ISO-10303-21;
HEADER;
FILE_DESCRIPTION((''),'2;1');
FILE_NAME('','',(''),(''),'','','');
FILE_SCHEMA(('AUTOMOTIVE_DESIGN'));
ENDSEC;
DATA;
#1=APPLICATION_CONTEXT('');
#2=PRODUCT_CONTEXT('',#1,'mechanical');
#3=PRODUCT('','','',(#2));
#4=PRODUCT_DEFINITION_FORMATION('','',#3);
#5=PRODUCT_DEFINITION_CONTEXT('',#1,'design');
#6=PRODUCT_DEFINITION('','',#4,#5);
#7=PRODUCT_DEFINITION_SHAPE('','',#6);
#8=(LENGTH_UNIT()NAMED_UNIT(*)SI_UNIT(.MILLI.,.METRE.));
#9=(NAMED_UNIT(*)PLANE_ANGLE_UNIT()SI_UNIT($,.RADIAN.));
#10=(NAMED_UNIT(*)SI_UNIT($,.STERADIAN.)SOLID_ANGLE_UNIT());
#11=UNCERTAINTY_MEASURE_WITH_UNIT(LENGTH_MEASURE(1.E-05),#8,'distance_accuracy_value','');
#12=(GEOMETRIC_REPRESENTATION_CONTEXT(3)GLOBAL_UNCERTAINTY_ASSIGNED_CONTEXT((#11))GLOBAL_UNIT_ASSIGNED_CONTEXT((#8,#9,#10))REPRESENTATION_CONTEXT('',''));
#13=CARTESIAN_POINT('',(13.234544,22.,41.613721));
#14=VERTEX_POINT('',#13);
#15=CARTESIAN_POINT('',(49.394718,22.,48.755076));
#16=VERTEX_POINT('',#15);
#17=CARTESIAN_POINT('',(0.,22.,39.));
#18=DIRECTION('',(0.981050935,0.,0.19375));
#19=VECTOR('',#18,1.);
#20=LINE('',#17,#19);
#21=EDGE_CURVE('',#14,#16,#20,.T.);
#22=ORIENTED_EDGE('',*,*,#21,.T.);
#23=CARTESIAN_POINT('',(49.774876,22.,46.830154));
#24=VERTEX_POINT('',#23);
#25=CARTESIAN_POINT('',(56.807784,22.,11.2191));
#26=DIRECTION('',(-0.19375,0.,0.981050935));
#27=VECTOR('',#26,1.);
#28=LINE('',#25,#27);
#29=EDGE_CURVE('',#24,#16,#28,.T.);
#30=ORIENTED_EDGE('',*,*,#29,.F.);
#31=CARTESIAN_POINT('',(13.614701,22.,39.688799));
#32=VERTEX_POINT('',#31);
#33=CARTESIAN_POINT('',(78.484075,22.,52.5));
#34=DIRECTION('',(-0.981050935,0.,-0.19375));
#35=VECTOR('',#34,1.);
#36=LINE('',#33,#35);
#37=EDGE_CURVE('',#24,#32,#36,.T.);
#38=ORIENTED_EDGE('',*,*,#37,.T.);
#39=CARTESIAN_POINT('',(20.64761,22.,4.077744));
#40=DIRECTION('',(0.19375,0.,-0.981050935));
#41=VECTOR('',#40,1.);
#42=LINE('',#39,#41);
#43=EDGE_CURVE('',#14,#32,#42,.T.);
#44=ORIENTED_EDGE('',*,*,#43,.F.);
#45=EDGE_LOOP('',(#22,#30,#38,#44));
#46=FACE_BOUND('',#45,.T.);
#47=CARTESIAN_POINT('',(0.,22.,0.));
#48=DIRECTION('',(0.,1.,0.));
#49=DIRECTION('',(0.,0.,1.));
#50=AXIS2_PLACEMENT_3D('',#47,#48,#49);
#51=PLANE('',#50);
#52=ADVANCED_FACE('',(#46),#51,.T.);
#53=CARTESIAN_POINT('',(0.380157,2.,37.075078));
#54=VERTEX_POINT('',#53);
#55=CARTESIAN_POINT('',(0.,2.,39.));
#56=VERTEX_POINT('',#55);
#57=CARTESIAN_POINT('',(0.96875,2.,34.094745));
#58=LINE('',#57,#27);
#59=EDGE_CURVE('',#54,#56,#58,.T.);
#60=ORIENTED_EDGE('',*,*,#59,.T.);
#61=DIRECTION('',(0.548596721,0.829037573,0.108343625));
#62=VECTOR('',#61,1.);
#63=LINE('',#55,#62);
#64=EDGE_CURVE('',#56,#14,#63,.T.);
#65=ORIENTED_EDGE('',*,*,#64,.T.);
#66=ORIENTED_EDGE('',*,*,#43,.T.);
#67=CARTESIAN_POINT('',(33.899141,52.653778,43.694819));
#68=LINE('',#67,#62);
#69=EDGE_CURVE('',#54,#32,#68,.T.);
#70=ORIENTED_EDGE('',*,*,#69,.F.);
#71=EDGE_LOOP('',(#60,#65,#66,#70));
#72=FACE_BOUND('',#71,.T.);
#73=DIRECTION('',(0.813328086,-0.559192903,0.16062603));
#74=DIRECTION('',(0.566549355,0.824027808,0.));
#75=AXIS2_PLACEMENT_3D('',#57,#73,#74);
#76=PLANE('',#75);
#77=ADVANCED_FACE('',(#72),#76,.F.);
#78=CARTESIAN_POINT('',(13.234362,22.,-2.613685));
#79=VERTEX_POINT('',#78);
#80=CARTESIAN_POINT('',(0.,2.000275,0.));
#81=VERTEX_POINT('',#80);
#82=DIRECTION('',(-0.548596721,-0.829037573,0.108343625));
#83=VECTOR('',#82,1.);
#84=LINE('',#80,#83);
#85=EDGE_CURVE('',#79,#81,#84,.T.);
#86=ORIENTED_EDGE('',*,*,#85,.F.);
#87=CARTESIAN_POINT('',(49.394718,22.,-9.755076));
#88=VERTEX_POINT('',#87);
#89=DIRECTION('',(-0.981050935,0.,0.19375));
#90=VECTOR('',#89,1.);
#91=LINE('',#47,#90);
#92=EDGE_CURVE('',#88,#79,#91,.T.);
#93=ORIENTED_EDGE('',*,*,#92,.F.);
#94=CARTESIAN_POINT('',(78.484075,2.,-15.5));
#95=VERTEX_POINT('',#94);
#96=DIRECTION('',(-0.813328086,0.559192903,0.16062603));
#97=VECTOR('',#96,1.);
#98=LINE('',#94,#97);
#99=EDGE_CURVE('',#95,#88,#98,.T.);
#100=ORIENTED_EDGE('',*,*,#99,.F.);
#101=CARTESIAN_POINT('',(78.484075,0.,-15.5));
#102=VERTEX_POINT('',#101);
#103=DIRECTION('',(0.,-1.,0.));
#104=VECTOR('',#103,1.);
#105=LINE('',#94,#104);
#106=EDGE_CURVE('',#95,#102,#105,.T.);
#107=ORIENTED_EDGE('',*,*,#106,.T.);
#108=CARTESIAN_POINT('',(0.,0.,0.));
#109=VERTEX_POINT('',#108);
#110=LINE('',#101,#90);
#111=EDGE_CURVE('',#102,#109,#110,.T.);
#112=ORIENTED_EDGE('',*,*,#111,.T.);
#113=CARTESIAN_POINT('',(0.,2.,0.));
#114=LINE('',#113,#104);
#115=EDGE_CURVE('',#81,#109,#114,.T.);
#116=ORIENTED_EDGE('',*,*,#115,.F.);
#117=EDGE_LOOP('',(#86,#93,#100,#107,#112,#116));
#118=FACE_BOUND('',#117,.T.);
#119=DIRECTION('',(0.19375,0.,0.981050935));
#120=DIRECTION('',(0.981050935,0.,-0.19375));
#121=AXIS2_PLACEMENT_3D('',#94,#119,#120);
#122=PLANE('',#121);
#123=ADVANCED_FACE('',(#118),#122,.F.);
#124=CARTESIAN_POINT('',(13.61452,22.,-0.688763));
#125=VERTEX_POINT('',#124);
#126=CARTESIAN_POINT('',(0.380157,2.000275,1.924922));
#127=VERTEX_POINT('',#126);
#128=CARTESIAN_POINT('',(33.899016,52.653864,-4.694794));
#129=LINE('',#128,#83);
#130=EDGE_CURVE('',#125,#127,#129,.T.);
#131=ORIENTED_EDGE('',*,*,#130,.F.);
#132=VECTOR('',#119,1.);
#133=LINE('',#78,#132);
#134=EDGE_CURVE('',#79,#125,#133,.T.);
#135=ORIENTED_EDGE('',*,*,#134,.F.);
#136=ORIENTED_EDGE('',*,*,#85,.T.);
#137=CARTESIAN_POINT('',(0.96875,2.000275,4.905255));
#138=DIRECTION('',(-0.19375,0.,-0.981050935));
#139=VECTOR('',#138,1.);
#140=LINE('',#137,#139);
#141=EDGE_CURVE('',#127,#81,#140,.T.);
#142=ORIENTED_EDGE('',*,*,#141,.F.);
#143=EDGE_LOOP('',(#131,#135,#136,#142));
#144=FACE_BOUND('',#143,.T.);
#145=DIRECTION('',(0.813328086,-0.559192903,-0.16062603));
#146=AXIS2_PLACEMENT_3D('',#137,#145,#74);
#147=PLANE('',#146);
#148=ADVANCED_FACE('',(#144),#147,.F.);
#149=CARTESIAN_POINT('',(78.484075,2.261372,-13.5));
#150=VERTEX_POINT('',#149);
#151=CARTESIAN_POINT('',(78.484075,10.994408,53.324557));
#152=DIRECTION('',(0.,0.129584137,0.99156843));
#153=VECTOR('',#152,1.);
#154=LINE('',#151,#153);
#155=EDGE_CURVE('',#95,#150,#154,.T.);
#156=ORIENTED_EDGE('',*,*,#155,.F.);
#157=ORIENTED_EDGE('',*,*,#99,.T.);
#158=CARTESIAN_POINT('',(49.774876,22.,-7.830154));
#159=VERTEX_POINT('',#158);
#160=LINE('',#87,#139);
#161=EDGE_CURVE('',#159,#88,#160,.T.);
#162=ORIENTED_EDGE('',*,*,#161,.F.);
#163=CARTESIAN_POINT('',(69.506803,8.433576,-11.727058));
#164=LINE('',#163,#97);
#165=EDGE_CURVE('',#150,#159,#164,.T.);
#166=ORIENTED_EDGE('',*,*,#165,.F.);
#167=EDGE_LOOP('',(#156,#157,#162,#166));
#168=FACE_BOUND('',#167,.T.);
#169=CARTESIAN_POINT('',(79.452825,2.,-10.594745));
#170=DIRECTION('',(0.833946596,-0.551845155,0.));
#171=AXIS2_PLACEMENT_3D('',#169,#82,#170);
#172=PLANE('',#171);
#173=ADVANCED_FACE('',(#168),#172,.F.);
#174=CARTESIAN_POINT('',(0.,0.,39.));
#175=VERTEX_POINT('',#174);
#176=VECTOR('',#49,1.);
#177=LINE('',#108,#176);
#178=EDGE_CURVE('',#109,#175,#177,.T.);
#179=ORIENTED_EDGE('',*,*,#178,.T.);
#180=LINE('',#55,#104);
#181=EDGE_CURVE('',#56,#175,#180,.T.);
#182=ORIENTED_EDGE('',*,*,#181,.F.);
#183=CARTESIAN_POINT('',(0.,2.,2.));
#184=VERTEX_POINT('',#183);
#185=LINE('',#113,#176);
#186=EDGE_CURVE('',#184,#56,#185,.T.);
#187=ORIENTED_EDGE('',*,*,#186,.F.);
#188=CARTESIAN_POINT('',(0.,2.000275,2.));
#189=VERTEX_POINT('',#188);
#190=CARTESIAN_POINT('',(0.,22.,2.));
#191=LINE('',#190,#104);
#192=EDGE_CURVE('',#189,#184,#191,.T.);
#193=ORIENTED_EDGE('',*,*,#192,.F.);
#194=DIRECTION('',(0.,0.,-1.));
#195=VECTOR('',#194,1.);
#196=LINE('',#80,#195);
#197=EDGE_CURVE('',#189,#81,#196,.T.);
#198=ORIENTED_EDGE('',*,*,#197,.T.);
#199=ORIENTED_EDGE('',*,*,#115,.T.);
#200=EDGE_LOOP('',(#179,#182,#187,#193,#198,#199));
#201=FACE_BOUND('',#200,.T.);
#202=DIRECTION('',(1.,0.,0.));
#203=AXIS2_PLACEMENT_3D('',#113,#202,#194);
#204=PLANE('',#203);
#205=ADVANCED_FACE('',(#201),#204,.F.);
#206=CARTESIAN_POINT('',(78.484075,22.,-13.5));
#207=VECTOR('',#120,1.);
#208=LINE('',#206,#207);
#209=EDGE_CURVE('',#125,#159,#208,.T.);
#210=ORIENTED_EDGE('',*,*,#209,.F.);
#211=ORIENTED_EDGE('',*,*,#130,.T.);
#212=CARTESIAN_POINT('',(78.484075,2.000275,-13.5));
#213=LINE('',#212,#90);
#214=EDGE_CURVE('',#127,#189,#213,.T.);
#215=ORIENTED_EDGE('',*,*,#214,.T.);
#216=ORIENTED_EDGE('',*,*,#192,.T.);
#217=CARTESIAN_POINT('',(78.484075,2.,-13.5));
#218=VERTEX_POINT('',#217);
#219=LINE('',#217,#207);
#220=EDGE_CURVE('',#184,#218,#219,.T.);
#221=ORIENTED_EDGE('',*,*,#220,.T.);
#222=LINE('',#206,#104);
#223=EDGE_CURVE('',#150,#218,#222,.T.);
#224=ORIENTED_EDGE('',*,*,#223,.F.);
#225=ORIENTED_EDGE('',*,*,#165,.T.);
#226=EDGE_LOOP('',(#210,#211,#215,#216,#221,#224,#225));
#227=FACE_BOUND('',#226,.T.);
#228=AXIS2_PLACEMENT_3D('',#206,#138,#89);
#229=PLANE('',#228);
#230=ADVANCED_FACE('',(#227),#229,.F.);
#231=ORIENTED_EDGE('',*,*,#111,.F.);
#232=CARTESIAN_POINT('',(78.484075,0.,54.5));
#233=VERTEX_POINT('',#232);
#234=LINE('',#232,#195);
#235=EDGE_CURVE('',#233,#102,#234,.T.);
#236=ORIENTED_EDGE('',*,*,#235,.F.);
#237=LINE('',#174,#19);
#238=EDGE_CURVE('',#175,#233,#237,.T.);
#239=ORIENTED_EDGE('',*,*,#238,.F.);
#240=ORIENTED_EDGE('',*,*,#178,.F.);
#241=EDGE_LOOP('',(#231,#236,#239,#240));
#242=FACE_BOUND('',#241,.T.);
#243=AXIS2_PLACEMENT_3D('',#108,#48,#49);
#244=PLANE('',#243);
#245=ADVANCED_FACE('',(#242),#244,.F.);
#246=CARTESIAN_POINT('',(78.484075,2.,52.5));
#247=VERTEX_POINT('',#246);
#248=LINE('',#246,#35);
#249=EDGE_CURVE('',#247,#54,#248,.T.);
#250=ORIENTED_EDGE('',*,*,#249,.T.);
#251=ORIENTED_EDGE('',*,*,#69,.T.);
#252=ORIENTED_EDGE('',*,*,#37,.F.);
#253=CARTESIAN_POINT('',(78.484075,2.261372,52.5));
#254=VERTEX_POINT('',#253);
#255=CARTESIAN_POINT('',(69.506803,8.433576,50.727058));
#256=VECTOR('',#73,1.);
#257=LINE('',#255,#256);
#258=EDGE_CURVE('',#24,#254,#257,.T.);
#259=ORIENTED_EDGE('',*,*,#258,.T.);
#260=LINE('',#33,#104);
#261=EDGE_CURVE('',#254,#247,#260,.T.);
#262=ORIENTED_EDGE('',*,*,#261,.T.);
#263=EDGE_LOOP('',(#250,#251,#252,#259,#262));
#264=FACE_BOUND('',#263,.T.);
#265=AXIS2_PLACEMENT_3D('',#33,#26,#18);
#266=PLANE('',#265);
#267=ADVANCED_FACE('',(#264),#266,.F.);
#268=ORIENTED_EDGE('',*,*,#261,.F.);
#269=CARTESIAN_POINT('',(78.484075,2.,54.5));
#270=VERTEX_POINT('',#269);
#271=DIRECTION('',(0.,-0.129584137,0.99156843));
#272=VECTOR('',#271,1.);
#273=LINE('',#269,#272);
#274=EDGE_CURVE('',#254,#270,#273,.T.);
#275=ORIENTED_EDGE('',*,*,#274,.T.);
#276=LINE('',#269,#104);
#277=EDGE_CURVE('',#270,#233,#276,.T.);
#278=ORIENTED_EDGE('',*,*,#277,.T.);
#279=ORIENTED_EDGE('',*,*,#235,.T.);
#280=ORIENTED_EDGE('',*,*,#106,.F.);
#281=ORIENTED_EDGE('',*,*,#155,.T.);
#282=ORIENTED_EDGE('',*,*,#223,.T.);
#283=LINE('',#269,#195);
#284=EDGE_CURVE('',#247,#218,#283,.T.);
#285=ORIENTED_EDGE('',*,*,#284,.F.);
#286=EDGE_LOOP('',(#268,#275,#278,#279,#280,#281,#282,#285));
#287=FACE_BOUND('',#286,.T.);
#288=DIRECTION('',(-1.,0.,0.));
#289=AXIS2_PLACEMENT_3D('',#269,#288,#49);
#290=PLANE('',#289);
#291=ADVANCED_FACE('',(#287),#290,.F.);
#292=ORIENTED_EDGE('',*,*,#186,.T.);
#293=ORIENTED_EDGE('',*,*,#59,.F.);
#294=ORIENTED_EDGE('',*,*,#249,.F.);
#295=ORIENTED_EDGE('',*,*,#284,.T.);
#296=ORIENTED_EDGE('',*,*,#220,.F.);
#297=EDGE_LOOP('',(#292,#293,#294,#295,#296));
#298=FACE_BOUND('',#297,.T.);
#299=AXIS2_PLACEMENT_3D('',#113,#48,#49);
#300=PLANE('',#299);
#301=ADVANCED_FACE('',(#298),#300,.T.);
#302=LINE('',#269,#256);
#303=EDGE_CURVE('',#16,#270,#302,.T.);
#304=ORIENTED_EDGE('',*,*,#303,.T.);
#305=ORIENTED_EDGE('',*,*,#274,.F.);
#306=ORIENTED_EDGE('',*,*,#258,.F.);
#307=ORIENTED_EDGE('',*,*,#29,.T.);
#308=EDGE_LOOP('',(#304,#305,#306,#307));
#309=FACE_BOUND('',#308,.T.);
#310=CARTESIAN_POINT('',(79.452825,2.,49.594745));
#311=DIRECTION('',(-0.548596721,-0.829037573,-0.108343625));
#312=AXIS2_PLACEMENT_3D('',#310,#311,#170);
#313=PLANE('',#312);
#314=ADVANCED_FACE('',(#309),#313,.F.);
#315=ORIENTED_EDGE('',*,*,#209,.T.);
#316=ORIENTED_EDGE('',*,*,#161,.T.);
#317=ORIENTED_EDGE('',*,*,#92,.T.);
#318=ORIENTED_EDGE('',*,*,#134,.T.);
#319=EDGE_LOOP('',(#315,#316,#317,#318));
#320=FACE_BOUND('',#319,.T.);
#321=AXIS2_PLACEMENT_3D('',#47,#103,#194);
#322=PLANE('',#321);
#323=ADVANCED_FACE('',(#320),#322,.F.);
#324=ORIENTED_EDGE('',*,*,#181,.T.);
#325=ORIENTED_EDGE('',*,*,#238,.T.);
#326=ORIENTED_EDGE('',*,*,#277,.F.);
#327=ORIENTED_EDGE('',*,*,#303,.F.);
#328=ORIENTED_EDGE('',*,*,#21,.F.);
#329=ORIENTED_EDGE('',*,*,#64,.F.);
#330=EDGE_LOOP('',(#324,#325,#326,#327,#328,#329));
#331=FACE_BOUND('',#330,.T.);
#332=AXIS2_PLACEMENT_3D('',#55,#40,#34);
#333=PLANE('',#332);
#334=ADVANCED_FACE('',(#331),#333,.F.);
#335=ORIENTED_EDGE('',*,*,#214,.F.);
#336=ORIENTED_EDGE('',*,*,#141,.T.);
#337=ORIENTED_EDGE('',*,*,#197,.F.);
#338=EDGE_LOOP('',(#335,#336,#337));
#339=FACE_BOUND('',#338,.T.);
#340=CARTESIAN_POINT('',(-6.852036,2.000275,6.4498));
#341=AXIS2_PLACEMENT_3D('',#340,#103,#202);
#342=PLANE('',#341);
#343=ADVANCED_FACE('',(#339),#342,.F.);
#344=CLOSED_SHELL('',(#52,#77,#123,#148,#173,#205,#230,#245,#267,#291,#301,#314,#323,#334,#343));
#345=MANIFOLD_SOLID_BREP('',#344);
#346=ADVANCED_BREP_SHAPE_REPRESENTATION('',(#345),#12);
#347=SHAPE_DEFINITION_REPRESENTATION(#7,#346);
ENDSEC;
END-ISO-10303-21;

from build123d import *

# Parameters (mm, degrees)
BOSS_EXTRUDE1_DEPTH = 2
BOSS_EXTRUDE2_DEPTH = 20
CUT_EXTRUDE6_DEPTH  = 5
CUT_EXTRUDE7_DEPTH  = 5
CUT_EXTRUDE8_DEPTH  = 5
CUT_EXTRUDE9_DEPTH  = 5


with BuildPart() as part:
    # Sketch1 → Boss-Extrude1 (new body)
    with BuildSketch(Plane(origin=(0, 0, 0), x_dir=(1, 0, 0), z_dir=(0, 1, 0))):
        Polygon((0, 0), (0, -39), (78.484074818, -54.5), (78.484074818, 15.5), align=None)
    extrude(amount=BOSS_EXTRUDE1_DEPTH)

    # Sketch2 → Boss-Extrude2 (add)
    with BuildSketch(Plane(origin=(0, 2, 0), x_dir=(1, 0, 0), z_dir=(0, 1, 0))):
        Polygon((0, -39), (78.484074818, -54.5), (78.484074818, -52.5), (0, -37), align=None)
        Polygon((78.484074818, 15.5), (78.484074818, 13.5), (0, -2), (0, 0), align=None)
    extrude(amount=BOSS_EXTRUDE2_DEPTH)

    # Sketch3 → Cut-Extrude6 (cut)
    with BuildSketch(Plane(origin=(-7.413066129, 0, 37.535976563), x_dir=(0.98105093522202, 0, 0.19375000000000017), z_dir=(-0.19375000000000017, 0, 0.98105093522202))):
        Polygon((21.046420337, 22), (2.156848068, 22), (2.156848068, 2), (7.55625, 2), align=None)
    extrude(amount=-CUT_EXTRUDE6_DEPTH, mode=Mode.SUBTRACT)

    # Sketch4 → Cut-Extrude7 (cut)
    with BuildSketch(Plane(origin=(0, 0, 0), x_dir=(-0.98105093522202, 0, 0.1937499999999999), z_dir=(-0.19374999999999987, 0, -0.9810509352220199))):
        Polygon((-13.489984999, 22), (7.971845258, 22), (7.971845258, 2.000274775), (0, 2.000274775), align=None)
    extrude(amount=-CUT_EXTRUDE7_DEPTH, mode=Mode.SUBTRACT)

    # Sketch6 → Cut-Extrude8 (cut)
    with BuildSketch(Plane(origin=(-7.413066129, 0, 37.535976563), x_dir=(0.98105093522202, 0, 0.19375000000000017), z_dir=(-0.19375000000000017, 0, 0.98105093522202))):
        Polygon((57.90503063, 22), (98.623999419, 22), (98.623999419, 2), (87.55625, 2), align=None)
    extrude(amount=-CUT_EXTRUDE8_DEPTH, mode=Mode.SUBTRACT)

    # Sketch7 → Cut-Extrude9 (cut)
    with BuildSketch(Plane(origin=(0, 0, 0), x_dir=(-0.98105093522202, 0, 0.1937499999999999), z_dir=(-0.19374999999999987, 0, -0.9810509352220199))):
        Polygon((-50.34878063, 22), (-88.981830345, 22), (-88.981830345, 2), (-80, 2), align=None)
    extrude(amount=-CUT_EXTRUDE9_DEPTH, mode=Mode.SUBTRACT)


solid = part.part
